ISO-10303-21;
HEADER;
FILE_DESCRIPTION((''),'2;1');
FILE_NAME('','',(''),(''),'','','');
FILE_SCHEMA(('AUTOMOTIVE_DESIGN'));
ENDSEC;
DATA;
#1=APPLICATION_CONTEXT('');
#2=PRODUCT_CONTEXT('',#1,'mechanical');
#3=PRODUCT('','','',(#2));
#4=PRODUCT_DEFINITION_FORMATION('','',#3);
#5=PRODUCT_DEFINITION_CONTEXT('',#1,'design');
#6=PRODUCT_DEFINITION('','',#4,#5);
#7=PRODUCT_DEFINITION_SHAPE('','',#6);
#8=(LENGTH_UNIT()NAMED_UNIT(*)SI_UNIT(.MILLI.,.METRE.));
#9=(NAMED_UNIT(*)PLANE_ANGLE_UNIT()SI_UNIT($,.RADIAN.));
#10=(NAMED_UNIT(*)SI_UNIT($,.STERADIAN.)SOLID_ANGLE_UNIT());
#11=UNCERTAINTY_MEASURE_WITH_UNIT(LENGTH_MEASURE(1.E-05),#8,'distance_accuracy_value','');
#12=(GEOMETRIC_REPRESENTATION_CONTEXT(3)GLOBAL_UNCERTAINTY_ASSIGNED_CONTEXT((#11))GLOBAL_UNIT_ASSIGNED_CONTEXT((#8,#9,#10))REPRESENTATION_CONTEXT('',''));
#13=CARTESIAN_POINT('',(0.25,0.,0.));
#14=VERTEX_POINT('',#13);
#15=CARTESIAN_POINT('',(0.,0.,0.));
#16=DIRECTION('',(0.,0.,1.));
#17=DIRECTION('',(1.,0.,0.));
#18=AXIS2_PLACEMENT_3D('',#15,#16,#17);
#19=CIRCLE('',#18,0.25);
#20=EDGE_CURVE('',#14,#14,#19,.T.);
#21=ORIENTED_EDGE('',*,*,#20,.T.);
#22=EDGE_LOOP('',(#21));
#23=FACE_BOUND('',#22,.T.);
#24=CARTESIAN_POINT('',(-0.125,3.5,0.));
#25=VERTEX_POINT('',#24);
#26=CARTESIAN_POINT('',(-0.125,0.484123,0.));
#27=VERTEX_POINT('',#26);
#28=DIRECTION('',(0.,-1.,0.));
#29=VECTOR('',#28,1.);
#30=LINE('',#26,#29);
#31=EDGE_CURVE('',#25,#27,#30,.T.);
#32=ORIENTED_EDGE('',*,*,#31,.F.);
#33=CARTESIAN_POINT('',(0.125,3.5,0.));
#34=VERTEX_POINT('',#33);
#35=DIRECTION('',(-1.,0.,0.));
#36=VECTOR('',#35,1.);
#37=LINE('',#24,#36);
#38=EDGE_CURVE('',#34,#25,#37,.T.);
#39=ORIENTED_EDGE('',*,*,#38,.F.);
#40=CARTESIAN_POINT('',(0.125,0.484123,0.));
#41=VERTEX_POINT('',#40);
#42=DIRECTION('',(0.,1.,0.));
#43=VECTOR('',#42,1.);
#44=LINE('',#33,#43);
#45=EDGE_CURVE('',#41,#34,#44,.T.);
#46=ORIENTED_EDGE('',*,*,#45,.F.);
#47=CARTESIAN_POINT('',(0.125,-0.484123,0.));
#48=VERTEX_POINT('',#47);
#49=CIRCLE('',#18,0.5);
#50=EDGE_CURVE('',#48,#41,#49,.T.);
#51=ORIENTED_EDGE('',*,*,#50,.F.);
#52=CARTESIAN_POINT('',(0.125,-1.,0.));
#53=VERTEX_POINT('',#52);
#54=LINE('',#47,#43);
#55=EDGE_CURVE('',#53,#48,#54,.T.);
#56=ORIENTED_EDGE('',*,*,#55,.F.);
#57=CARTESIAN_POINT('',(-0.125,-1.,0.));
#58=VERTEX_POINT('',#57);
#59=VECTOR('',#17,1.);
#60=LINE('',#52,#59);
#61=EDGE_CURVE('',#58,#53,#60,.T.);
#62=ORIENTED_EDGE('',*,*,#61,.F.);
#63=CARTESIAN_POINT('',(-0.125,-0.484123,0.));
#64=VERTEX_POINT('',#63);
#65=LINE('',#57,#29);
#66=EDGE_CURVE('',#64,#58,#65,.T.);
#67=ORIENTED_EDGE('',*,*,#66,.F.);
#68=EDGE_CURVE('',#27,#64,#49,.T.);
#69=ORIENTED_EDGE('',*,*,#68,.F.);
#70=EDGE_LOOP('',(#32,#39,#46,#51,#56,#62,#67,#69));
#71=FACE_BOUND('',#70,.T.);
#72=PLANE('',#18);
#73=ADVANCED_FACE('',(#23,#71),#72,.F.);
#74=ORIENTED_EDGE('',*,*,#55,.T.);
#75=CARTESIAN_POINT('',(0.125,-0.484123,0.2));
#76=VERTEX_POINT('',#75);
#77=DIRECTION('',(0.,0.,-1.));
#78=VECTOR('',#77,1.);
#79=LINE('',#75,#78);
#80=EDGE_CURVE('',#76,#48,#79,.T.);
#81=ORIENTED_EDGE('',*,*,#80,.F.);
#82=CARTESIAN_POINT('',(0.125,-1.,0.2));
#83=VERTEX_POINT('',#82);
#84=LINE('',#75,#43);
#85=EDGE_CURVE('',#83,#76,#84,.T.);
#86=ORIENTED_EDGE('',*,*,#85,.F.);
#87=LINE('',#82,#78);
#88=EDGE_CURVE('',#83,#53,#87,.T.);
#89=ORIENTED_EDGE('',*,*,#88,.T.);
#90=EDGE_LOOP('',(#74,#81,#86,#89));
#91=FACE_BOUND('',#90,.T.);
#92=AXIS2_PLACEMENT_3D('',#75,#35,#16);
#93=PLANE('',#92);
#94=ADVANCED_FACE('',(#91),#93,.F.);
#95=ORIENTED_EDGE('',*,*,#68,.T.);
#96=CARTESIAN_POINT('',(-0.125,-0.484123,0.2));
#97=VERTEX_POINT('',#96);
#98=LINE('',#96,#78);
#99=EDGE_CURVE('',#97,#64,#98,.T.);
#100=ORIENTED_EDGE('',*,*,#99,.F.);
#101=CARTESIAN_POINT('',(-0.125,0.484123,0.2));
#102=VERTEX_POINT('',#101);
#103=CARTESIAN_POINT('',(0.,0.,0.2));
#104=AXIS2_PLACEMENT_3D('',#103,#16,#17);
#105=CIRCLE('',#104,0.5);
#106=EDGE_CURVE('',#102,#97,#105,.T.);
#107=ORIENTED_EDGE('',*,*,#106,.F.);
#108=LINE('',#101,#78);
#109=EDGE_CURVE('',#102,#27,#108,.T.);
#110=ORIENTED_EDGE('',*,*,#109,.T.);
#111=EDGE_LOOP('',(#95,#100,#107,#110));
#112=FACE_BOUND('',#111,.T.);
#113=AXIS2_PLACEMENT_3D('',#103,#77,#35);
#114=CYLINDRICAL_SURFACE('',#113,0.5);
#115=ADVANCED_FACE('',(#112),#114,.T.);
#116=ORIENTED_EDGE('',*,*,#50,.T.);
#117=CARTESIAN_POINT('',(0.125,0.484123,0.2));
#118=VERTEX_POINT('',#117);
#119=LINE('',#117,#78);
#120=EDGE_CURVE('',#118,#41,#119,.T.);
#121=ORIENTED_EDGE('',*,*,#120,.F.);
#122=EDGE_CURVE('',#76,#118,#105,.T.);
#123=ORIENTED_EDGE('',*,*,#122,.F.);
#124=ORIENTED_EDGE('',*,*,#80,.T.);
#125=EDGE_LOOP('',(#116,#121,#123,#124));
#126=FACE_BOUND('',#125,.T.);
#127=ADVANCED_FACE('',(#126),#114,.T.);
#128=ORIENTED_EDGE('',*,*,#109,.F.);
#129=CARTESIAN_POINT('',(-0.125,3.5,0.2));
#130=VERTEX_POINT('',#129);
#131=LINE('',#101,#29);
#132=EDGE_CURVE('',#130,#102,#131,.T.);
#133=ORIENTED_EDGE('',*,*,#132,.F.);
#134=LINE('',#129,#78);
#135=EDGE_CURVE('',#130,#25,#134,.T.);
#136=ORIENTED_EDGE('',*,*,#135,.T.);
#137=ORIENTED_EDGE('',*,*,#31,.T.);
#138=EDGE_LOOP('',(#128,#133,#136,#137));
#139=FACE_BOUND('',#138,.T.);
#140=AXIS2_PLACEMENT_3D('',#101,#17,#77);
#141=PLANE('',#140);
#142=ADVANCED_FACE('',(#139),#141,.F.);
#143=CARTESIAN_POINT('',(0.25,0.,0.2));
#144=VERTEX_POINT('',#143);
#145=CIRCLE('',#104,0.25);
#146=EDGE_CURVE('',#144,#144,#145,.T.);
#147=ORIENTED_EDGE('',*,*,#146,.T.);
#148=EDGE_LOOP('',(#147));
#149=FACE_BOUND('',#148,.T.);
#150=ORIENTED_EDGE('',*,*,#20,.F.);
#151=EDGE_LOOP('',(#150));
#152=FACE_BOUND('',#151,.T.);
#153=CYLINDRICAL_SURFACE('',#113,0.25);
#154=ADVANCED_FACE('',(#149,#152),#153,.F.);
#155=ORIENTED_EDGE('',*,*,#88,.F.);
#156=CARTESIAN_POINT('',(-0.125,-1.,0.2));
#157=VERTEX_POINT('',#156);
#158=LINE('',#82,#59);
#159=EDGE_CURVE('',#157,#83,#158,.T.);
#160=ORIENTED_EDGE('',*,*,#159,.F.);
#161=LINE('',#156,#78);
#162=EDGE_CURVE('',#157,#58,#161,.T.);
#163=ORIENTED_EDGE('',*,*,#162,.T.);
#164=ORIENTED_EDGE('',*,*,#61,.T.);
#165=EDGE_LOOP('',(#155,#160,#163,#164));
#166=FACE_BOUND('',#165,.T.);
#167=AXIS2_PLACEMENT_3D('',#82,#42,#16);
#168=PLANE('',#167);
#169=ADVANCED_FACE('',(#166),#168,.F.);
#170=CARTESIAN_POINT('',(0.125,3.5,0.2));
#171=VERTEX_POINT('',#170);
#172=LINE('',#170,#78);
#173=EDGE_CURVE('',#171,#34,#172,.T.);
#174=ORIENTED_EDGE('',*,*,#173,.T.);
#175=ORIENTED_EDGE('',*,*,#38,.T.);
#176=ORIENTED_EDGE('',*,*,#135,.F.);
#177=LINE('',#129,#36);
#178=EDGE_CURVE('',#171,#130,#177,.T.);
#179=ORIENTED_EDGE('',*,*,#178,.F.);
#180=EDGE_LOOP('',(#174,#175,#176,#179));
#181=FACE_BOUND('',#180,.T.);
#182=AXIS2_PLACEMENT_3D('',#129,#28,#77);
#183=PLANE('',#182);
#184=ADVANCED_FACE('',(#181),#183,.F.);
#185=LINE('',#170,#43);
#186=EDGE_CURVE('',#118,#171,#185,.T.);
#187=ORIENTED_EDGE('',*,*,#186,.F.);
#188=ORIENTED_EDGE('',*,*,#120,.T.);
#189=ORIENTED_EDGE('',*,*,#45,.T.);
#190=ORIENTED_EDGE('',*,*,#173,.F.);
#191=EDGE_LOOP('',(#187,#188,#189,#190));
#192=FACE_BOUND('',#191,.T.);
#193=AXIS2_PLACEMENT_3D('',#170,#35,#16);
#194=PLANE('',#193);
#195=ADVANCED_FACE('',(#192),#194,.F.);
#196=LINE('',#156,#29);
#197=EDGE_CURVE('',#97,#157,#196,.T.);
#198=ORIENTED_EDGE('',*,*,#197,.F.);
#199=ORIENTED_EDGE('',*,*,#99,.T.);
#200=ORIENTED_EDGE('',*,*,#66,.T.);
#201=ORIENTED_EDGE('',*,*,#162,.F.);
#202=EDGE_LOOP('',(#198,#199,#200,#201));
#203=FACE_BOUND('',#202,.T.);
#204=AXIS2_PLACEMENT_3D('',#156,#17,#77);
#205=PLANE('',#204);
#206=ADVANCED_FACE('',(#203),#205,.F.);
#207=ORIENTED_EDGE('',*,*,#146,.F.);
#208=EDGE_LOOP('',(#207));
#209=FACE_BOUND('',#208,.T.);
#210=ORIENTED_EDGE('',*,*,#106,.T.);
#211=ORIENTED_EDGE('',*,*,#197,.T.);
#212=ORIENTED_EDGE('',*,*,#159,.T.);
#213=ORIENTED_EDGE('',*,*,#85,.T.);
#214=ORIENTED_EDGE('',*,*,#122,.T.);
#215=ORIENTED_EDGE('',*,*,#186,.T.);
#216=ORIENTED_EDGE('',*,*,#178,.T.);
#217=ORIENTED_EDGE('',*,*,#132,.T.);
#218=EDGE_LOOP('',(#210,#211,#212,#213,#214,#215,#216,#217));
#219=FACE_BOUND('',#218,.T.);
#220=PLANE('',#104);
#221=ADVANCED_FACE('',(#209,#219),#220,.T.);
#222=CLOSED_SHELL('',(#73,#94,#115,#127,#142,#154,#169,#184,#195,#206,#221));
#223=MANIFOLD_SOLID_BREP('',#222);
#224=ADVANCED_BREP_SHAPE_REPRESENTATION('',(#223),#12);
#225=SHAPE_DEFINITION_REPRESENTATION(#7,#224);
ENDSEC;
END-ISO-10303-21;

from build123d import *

# Parameters (mm, degrees)
CROQUIS1_R              = 0.25
SALIENTE_EXTRUIR1_DEPTH = 0.2


with BuildPart() as part:
    # Croquis1 → Saliente-Extruir1 (new body)
    with BuildSketch(Plane.XY):
        with BuildLine():
            Line((-0.125, -1), (-0.125, -0.484122918))
            ThreePointArc((-0.125, -0.484122918), (-0.5, 0), (-0.125, 0.484122918))
            Line((-0.125, 0.484122918), (-0.125, 3.5))
            Line((-0.125, 3.5), (0.125, 3.5))
            Line((0.125, 3.5), (0.125, 0.484122918))
            ThreePointArc((0.125, 0.484122918), (0.5, 0), (0.125, -0.484122918))
            Line((0.125, -0.484122918), (0.125, -1))
            Line((0.125, -1), (-0.125, -1))
        make_face()
        Circle(CROQUIS1_R, mode=Mode.SUBTRACT)
    extrude(amount=SALIENTE_EXTRUIR1_DEPTH)


solid = part.part
